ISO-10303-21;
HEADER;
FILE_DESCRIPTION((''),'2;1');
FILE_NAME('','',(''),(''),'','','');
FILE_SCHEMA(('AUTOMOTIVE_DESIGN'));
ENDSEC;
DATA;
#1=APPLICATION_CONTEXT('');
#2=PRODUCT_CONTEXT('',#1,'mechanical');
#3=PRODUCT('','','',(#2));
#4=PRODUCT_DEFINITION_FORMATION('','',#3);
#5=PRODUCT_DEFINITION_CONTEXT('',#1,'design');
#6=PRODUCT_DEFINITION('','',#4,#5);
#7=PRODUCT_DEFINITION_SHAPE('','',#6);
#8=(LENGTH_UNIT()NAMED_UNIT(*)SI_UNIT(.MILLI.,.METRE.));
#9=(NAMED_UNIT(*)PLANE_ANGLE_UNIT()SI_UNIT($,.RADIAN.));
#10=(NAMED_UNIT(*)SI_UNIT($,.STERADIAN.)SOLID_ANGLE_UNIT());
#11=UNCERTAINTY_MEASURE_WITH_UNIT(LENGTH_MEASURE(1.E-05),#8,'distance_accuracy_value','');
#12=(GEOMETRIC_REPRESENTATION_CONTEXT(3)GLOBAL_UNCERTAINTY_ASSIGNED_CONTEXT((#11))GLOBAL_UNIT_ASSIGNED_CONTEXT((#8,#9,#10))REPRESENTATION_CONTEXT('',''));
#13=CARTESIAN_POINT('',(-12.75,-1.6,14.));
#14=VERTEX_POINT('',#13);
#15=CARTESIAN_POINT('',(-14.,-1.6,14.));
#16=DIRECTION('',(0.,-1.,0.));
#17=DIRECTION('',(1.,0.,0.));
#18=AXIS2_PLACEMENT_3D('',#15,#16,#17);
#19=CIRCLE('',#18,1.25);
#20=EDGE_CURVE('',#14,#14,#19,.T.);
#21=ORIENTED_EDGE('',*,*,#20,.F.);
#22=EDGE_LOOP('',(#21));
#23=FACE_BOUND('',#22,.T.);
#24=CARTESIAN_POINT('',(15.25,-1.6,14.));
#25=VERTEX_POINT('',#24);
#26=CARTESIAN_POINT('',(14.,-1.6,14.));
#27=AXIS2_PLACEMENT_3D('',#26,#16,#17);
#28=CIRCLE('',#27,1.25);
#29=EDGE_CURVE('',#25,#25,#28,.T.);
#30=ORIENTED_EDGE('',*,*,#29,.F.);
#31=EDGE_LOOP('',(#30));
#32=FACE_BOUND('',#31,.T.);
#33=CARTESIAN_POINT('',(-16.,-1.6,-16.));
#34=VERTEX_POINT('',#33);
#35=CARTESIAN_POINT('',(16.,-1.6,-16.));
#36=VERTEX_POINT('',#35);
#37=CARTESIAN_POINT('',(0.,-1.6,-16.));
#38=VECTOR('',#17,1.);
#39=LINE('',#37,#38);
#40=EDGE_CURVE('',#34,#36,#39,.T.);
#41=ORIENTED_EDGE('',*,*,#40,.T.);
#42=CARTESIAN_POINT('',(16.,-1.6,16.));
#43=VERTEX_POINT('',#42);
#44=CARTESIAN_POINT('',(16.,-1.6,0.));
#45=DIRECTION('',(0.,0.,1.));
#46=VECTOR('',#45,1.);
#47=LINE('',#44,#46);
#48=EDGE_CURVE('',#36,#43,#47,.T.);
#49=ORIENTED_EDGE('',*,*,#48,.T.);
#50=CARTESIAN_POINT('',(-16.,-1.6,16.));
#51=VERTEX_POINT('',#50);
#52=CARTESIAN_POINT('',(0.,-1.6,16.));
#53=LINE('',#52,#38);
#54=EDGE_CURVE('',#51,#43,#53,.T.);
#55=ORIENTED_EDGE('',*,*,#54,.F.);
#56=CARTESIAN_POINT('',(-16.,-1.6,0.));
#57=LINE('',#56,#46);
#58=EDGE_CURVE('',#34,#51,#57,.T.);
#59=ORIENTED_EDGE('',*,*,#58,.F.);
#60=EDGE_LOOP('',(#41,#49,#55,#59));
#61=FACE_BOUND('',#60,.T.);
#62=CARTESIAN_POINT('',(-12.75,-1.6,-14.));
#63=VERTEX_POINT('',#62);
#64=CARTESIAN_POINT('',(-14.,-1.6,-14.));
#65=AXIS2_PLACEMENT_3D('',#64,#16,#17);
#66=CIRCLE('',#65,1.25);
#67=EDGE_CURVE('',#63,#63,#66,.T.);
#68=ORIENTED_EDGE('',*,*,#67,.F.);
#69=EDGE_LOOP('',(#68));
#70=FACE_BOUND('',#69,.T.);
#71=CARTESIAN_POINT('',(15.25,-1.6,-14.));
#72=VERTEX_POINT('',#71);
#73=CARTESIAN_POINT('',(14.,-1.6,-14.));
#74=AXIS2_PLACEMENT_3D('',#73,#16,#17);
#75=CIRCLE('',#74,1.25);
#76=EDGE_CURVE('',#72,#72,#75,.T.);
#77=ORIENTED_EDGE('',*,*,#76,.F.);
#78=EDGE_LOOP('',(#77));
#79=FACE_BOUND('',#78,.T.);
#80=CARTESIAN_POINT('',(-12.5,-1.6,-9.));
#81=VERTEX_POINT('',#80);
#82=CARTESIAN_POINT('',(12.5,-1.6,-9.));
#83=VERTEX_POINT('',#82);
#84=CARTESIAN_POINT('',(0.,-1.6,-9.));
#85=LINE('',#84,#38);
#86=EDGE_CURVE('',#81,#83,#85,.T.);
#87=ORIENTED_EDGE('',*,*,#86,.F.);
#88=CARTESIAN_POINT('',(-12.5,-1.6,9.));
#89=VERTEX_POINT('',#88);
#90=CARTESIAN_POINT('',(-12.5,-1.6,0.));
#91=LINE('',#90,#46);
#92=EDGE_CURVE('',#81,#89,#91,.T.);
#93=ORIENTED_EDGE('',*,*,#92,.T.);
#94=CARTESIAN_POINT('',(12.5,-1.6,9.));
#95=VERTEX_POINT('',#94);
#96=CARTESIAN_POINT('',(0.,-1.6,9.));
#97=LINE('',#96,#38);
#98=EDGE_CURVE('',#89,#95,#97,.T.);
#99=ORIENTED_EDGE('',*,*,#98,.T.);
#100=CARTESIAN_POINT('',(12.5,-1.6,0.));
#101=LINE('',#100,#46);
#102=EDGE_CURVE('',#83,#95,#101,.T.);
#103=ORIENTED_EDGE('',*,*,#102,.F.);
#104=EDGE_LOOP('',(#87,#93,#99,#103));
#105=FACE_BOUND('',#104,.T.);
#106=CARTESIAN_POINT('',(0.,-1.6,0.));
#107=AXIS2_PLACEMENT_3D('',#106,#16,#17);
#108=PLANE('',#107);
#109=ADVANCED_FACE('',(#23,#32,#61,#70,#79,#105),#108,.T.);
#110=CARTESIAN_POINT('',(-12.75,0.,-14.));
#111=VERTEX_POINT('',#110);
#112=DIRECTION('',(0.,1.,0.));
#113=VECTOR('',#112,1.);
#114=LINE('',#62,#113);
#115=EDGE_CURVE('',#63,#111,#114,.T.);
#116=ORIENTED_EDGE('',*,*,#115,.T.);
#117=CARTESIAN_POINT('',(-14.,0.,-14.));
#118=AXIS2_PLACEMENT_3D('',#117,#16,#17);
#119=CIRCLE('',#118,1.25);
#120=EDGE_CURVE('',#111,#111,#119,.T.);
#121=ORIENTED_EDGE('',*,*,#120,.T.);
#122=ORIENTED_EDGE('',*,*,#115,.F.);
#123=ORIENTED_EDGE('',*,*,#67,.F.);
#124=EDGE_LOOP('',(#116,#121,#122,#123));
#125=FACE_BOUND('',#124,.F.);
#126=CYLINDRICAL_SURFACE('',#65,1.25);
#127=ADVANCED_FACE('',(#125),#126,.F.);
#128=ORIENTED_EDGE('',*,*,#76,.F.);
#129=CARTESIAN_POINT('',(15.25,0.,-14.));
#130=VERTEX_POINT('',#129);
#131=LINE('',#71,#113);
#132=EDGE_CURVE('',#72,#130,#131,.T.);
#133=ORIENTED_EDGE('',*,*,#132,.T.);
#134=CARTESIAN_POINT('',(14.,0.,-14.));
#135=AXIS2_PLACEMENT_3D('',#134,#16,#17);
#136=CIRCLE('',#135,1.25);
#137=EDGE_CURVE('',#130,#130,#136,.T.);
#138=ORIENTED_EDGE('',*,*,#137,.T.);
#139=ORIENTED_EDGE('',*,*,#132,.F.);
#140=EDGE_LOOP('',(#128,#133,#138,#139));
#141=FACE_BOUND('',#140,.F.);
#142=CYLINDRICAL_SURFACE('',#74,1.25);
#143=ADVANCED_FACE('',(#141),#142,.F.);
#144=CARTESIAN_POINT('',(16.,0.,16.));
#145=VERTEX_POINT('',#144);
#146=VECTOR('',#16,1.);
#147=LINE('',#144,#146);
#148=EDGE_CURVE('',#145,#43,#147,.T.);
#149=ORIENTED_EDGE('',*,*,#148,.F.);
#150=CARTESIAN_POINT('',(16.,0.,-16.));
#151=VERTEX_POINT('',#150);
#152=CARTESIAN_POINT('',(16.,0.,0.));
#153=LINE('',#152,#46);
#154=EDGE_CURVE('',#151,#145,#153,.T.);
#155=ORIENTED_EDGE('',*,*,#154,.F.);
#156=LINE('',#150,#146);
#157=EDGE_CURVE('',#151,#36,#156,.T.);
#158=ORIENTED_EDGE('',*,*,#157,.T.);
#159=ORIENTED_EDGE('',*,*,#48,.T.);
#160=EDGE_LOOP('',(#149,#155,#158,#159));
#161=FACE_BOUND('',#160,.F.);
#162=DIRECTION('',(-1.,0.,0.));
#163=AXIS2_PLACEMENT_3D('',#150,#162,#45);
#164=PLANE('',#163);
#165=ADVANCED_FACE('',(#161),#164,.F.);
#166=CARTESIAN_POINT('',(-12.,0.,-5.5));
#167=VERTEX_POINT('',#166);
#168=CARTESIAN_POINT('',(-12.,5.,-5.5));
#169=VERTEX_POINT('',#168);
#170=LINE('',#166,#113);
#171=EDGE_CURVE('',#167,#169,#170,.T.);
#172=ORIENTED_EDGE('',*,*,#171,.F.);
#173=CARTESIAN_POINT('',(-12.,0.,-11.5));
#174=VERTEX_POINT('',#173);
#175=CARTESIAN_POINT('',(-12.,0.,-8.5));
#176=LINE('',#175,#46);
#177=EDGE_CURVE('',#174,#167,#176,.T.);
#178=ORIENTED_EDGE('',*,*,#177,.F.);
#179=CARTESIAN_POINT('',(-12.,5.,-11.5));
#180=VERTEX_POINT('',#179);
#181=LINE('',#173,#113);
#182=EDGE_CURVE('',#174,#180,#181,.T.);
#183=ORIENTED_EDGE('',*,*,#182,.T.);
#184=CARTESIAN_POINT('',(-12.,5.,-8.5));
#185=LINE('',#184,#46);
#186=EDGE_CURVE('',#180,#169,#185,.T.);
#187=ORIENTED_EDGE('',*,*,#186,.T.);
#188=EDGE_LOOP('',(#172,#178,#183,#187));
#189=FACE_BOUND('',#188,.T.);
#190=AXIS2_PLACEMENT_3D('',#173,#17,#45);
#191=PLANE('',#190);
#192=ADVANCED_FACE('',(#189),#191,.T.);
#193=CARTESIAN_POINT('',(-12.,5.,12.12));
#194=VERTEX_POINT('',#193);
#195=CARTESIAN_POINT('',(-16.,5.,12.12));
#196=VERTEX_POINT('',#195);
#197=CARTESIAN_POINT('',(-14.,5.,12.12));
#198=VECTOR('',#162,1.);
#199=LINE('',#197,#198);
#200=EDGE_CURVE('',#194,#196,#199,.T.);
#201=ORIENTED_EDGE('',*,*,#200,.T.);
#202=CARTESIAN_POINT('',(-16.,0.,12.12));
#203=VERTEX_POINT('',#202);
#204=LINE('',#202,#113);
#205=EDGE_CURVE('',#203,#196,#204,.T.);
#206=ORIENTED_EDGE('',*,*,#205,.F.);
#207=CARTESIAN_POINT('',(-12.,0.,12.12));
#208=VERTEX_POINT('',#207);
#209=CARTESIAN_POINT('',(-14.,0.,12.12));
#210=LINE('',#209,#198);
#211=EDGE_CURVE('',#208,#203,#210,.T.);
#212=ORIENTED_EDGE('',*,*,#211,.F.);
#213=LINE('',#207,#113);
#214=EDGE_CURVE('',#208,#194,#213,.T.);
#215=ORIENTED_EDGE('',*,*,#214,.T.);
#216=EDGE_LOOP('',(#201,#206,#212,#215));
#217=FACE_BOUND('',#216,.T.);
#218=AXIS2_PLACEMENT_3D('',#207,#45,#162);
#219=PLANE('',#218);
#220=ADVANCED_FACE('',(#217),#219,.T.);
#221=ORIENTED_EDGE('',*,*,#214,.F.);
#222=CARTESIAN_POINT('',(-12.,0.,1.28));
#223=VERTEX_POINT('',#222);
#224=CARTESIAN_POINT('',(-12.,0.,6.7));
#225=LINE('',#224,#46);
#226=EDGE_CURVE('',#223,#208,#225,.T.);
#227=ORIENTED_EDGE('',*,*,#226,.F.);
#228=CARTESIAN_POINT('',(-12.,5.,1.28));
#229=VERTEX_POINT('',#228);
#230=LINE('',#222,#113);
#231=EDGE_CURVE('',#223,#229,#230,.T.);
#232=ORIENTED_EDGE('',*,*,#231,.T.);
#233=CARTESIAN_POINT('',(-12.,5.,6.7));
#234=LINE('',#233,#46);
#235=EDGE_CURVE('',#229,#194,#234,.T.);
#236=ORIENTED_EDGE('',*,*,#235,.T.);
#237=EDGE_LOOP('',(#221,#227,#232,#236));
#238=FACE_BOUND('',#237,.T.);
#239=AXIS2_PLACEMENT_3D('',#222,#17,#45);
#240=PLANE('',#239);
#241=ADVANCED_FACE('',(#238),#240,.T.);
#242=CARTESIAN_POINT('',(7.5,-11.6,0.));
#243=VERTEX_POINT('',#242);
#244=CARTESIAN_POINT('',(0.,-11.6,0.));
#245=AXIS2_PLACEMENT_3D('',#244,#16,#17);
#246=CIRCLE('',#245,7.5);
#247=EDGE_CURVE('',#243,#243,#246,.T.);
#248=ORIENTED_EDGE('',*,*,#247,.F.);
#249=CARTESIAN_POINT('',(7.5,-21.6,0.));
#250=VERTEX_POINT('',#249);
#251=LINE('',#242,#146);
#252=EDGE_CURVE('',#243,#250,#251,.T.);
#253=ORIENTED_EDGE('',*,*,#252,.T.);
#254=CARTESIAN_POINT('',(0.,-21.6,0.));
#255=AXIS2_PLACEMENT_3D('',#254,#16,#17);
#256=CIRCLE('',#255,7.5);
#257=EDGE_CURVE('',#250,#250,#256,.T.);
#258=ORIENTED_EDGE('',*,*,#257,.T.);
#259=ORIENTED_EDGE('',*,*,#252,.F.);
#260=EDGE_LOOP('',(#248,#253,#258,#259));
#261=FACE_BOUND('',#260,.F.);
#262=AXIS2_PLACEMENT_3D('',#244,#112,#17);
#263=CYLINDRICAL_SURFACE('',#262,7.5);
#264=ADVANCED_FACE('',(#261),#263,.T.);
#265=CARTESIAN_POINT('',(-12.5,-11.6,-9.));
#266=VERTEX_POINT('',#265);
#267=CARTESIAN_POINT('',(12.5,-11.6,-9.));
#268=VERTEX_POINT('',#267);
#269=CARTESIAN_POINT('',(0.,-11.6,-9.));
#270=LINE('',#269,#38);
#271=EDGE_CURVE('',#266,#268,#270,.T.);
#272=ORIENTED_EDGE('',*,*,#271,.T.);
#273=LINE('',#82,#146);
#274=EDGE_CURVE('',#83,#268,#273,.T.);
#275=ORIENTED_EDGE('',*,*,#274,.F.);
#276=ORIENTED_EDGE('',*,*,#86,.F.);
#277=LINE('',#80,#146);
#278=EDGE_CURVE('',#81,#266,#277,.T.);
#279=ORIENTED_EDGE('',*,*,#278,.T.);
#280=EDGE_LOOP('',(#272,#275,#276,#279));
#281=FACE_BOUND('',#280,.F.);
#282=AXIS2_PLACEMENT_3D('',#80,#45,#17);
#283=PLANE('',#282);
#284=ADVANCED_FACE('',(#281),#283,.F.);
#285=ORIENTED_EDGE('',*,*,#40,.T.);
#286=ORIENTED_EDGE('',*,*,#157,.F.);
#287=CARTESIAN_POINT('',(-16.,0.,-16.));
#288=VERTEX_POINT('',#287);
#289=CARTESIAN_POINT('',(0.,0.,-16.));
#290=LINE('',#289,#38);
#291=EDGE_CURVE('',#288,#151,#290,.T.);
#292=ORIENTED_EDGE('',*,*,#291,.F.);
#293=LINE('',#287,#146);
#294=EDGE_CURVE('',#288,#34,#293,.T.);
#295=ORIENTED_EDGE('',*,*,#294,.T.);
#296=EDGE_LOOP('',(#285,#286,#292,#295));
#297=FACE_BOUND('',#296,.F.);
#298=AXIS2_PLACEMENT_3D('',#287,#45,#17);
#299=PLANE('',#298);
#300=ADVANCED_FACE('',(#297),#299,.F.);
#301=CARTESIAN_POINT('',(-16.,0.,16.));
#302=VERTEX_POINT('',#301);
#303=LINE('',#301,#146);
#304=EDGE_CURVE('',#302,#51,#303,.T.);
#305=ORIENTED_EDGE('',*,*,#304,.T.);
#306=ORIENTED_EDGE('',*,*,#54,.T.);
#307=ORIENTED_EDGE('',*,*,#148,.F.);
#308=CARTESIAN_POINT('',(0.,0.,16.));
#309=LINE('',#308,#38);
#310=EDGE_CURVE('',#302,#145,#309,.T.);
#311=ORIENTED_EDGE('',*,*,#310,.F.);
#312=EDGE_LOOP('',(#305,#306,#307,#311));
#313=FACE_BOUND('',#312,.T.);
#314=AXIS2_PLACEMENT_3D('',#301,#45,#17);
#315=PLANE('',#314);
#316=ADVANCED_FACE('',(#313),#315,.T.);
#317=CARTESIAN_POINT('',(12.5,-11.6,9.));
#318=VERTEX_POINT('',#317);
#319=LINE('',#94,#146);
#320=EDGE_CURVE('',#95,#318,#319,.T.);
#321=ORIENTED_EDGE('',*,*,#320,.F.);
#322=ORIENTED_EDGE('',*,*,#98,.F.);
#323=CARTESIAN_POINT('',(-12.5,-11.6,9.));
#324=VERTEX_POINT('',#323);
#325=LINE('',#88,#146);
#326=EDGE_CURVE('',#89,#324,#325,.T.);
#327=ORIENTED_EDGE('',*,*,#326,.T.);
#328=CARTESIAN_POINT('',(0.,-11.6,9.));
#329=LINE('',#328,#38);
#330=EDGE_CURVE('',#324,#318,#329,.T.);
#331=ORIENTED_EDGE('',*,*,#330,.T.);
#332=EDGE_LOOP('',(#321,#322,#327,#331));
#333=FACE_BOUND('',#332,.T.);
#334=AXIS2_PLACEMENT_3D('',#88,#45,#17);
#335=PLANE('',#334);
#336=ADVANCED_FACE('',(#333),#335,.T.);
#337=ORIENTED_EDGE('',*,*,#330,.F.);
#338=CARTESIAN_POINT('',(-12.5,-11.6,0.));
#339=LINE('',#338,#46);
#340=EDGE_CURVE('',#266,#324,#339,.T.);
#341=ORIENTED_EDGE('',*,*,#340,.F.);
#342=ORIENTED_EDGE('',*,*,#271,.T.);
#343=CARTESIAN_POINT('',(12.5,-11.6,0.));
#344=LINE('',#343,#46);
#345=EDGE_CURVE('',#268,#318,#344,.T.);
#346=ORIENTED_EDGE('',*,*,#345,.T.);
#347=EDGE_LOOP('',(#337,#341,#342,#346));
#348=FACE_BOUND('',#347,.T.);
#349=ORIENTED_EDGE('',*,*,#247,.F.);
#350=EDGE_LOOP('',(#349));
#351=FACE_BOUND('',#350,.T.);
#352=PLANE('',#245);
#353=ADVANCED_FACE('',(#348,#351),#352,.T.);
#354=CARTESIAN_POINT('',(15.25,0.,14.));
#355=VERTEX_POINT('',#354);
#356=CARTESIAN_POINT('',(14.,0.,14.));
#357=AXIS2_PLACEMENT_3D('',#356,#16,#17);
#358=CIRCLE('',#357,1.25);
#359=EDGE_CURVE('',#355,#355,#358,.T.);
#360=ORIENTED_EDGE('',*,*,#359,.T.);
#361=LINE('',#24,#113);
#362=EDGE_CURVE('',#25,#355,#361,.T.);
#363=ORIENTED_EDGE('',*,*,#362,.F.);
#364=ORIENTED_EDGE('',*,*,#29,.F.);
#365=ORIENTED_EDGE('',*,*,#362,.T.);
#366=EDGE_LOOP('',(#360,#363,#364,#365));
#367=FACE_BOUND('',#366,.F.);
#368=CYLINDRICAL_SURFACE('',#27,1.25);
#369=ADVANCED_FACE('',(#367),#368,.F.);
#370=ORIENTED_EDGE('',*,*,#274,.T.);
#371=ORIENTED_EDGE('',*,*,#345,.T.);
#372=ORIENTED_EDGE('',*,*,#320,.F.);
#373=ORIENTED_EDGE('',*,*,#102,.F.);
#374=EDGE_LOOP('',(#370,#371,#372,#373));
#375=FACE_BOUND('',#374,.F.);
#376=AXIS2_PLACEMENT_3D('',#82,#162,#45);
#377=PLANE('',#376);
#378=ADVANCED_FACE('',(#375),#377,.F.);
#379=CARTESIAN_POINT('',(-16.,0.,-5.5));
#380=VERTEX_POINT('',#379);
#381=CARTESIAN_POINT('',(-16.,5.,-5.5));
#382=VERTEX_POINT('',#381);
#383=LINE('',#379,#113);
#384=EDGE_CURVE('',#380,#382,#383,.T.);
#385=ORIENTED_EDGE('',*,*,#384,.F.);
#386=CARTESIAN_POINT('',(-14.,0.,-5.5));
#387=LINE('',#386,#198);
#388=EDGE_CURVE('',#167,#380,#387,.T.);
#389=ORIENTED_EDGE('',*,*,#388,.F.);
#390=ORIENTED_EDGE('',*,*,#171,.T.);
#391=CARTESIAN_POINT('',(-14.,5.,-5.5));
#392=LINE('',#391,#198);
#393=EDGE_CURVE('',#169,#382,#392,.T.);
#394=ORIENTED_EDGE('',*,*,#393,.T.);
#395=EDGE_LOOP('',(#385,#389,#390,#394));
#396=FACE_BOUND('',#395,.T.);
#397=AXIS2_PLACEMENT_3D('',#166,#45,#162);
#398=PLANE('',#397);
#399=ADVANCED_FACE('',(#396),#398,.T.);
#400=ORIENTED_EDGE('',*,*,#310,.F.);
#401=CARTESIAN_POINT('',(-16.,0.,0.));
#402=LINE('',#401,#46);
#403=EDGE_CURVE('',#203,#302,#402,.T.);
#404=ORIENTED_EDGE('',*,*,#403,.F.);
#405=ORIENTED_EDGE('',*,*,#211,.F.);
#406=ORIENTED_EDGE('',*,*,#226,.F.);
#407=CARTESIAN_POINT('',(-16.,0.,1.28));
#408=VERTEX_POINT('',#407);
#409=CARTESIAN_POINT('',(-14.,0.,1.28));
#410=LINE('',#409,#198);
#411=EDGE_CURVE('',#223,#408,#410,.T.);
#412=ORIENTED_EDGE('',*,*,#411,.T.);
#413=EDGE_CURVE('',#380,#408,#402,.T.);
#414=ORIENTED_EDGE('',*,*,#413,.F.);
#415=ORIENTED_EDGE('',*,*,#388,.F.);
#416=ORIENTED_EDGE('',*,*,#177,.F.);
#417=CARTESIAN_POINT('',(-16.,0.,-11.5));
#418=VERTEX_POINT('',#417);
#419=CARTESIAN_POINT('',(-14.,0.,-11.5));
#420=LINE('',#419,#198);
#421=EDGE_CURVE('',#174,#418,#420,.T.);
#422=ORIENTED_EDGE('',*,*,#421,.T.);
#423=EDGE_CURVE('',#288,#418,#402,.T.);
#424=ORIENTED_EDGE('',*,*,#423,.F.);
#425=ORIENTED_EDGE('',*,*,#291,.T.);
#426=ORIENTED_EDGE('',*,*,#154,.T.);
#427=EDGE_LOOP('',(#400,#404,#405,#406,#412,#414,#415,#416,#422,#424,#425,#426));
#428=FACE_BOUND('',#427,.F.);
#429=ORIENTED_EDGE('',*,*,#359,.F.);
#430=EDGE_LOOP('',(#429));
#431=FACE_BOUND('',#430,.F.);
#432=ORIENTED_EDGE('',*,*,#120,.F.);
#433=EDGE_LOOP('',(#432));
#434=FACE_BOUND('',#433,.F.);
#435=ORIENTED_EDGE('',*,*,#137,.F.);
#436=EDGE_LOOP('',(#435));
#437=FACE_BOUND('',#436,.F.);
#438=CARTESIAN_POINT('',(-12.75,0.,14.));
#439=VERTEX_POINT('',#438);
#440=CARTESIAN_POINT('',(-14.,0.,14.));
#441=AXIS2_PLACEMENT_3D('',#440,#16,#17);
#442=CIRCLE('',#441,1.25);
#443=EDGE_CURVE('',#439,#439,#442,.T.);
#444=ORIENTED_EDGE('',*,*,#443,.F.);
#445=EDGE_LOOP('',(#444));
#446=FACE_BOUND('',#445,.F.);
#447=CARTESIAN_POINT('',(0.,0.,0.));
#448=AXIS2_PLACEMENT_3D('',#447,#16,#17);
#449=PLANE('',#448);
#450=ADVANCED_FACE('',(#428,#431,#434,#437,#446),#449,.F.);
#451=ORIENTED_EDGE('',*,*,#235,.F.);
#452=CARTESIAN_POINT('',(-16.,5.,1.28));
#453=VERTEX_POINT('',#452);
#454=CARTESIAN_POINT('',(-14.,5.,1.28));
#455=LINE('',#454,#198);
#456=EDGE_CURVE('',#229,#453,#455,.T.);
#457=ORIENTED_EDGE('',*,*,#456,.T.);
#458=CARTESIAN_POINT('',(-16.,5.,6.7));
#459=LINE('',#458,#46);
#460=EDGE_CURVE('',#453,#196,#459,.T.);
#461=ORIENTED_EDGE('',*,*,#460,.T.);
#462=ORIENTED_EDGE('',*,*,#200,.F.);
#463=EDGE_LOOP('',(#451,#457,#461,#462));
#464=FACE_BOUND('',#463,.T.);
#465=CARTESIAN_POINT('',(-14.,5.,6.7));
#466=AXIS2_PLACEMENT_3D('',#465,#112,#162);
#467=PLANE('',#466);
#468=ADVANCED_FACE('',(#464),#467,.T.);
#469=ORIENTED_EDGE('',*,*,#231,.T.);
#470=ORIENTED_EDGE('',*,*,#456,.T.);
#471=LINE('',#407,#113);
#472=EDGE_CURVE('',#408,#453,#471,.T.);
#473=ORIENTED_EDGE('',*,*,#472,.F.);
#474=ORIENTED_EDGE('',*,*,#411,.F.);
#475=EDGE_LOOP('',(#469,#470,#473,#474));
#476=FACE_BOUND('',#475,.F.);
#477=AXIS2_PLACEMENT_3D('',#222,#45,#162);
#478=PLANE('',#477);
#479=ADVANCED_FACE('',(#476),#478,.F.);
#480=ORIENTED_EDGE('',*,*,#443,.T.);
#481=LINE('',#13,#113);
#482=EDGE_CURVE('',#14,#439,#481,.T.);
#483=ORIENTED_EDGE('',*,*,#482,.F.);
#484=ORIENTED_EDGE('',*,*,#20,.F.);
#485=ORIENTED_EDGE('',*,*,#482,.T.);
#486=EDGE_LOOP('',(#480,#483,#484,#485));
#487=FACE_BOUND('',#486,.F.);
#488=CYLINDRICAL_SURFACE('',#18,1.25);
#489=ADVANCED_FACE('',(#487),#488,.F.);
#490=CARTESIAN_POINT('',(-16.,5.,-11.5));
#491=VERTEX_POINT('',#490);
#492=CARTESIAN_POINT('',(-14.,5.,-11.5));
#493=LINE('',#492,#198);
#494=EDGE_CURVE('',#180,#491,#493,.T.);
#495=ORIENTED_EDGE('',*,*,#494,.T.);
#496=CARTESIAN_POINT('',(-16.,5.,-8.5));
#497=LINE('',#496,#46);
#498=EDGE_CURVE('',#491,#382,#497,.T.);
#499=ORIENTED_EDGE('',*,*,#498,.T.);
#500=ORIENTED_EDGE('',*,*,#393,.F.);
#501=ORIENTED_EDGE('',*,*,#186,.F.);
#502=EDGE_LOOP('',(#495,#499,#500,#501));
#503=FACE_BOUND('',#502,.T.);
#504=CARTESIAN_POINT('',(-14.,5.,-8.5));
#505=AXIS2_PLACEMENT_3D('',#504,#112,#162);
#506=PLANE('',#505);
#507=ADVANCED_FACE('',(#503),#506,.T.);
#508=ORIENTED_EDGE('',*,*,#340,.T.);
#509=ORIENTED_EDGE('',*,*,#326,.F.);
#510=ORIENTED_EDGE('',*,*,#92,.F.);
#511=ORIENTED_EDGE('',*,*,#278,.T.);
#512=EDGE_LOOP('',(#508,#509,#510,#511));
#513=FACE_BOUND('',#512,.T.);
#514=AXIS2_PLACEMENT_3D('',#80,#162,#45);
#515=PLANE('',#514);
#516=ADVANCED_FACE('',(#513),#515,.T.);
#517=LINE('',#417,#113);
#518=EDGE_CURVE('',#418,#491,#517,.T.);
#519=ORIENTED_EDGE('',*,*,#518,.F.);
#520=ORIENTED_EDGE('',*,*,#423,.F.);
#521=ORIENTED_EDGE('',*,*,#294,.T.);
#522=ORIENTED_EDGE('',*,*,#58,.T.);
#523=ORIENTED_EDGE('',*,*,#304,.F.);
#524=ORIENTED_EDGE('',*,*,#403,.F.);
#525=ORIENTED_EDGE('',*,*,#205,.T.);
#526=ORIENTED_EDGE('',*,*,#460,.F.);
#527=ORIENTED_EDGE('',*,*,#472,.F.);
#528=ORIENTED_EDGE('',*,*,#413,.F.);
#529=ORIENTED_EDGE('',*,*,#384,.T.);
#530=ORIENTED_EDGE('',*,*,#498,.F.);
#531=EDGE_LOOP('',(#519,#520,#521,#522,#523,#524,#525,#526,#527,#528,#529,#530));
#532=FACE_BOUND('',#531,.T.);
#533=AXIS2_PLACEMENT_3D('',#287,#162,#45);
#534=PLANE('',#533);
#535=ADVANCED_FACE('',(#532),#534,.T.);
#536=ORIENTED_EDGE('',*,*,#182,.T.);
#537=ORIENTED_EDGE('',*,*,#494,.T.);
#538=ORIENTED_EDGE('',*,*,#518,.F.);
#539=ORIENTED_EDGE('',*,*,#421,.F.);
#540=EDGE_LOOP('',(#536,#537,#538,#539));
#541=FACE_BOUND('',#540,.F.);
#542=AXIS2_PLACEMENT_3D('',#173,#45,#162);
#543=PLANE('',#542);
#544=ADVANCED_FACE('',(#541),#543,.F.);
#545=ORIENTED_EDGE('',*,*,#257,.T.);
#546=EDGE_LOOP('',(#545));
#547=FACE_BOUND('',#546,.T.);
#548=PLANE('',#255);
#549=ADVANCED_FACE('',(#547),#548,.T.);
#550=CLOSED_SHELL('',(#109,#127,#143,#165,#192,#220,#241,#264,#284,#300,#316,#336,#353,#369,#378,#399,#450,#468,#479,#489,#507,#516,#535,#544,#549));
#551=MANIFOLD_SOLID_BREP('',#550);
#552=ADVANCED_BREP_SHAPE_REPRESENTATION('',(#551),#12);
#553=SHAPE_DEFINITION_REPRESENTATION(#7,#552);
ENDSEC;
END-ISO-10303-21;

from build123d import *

# Parameters (mm, degrees)
F0_W     = 32
F0_H     = 32
F1_DEPTH = 1.6
F2_W     = 25
F2_H     = 18
F3_DEPTH = 10
F4_R     = 7.5
F5_DEPTH = 10
F6_W     = 4
F6_H     = 10.84
F6_H_2   = 6
F7_DEPTH = 5
F8_R     = 1.25
F9_DEPTH = 25


with BuildPart() as f1:
    # F0 (on Front) → F1 (new body)
    with BuildSketch(Plane.XZ):
        Rectangle(F0_W, F0_H)
    extrude(amount=F1_DEPTH)

    # F2 (on face) → F3 (join)
    with BuildSketch(Plane.XZ.offset(1.6)):
        Rectangle(F2_W, F2_H)
    extrude(amount=F3_DEPTH)

    # F4 (on face) → F5 (join)
    with BuildSketch(Plane.XZ.offset(11.6)):
        Circle(F4_R)
    extrude(amount=F5_DEPTH)

    # F6 (on face) → F7 (join)
    with BuildSketch(Plane(origin=(0, 0, 0), x_dir=(-1, 0, 0), z_dir=(0, 1, 0))):
        with Locations((14, 6.7)):
            Rectangle(F6_W, F6_H)
        with Locations((14, -8.5)):
            Rectangle(F6_W, F6_H_2)
    extrude(amount=F7_DEPTH)

    # F8 (on face) → F9 (cut)
    with BuildSketch(Plane.XZ.offset(1.6)):
        with Locations((14, 14)):
            Circle(F8_R)
        with Locations((14, -14)):
            Circle(F8_R)
        with Locations((-14, -14)):
            Circle(F8_R)
        with Locations((-14, 14)):
            Circle(F8_R)
    extrude(amount=-F9_DEPTH, mode=Mode.SUBTRACT)


solid = f1.part
